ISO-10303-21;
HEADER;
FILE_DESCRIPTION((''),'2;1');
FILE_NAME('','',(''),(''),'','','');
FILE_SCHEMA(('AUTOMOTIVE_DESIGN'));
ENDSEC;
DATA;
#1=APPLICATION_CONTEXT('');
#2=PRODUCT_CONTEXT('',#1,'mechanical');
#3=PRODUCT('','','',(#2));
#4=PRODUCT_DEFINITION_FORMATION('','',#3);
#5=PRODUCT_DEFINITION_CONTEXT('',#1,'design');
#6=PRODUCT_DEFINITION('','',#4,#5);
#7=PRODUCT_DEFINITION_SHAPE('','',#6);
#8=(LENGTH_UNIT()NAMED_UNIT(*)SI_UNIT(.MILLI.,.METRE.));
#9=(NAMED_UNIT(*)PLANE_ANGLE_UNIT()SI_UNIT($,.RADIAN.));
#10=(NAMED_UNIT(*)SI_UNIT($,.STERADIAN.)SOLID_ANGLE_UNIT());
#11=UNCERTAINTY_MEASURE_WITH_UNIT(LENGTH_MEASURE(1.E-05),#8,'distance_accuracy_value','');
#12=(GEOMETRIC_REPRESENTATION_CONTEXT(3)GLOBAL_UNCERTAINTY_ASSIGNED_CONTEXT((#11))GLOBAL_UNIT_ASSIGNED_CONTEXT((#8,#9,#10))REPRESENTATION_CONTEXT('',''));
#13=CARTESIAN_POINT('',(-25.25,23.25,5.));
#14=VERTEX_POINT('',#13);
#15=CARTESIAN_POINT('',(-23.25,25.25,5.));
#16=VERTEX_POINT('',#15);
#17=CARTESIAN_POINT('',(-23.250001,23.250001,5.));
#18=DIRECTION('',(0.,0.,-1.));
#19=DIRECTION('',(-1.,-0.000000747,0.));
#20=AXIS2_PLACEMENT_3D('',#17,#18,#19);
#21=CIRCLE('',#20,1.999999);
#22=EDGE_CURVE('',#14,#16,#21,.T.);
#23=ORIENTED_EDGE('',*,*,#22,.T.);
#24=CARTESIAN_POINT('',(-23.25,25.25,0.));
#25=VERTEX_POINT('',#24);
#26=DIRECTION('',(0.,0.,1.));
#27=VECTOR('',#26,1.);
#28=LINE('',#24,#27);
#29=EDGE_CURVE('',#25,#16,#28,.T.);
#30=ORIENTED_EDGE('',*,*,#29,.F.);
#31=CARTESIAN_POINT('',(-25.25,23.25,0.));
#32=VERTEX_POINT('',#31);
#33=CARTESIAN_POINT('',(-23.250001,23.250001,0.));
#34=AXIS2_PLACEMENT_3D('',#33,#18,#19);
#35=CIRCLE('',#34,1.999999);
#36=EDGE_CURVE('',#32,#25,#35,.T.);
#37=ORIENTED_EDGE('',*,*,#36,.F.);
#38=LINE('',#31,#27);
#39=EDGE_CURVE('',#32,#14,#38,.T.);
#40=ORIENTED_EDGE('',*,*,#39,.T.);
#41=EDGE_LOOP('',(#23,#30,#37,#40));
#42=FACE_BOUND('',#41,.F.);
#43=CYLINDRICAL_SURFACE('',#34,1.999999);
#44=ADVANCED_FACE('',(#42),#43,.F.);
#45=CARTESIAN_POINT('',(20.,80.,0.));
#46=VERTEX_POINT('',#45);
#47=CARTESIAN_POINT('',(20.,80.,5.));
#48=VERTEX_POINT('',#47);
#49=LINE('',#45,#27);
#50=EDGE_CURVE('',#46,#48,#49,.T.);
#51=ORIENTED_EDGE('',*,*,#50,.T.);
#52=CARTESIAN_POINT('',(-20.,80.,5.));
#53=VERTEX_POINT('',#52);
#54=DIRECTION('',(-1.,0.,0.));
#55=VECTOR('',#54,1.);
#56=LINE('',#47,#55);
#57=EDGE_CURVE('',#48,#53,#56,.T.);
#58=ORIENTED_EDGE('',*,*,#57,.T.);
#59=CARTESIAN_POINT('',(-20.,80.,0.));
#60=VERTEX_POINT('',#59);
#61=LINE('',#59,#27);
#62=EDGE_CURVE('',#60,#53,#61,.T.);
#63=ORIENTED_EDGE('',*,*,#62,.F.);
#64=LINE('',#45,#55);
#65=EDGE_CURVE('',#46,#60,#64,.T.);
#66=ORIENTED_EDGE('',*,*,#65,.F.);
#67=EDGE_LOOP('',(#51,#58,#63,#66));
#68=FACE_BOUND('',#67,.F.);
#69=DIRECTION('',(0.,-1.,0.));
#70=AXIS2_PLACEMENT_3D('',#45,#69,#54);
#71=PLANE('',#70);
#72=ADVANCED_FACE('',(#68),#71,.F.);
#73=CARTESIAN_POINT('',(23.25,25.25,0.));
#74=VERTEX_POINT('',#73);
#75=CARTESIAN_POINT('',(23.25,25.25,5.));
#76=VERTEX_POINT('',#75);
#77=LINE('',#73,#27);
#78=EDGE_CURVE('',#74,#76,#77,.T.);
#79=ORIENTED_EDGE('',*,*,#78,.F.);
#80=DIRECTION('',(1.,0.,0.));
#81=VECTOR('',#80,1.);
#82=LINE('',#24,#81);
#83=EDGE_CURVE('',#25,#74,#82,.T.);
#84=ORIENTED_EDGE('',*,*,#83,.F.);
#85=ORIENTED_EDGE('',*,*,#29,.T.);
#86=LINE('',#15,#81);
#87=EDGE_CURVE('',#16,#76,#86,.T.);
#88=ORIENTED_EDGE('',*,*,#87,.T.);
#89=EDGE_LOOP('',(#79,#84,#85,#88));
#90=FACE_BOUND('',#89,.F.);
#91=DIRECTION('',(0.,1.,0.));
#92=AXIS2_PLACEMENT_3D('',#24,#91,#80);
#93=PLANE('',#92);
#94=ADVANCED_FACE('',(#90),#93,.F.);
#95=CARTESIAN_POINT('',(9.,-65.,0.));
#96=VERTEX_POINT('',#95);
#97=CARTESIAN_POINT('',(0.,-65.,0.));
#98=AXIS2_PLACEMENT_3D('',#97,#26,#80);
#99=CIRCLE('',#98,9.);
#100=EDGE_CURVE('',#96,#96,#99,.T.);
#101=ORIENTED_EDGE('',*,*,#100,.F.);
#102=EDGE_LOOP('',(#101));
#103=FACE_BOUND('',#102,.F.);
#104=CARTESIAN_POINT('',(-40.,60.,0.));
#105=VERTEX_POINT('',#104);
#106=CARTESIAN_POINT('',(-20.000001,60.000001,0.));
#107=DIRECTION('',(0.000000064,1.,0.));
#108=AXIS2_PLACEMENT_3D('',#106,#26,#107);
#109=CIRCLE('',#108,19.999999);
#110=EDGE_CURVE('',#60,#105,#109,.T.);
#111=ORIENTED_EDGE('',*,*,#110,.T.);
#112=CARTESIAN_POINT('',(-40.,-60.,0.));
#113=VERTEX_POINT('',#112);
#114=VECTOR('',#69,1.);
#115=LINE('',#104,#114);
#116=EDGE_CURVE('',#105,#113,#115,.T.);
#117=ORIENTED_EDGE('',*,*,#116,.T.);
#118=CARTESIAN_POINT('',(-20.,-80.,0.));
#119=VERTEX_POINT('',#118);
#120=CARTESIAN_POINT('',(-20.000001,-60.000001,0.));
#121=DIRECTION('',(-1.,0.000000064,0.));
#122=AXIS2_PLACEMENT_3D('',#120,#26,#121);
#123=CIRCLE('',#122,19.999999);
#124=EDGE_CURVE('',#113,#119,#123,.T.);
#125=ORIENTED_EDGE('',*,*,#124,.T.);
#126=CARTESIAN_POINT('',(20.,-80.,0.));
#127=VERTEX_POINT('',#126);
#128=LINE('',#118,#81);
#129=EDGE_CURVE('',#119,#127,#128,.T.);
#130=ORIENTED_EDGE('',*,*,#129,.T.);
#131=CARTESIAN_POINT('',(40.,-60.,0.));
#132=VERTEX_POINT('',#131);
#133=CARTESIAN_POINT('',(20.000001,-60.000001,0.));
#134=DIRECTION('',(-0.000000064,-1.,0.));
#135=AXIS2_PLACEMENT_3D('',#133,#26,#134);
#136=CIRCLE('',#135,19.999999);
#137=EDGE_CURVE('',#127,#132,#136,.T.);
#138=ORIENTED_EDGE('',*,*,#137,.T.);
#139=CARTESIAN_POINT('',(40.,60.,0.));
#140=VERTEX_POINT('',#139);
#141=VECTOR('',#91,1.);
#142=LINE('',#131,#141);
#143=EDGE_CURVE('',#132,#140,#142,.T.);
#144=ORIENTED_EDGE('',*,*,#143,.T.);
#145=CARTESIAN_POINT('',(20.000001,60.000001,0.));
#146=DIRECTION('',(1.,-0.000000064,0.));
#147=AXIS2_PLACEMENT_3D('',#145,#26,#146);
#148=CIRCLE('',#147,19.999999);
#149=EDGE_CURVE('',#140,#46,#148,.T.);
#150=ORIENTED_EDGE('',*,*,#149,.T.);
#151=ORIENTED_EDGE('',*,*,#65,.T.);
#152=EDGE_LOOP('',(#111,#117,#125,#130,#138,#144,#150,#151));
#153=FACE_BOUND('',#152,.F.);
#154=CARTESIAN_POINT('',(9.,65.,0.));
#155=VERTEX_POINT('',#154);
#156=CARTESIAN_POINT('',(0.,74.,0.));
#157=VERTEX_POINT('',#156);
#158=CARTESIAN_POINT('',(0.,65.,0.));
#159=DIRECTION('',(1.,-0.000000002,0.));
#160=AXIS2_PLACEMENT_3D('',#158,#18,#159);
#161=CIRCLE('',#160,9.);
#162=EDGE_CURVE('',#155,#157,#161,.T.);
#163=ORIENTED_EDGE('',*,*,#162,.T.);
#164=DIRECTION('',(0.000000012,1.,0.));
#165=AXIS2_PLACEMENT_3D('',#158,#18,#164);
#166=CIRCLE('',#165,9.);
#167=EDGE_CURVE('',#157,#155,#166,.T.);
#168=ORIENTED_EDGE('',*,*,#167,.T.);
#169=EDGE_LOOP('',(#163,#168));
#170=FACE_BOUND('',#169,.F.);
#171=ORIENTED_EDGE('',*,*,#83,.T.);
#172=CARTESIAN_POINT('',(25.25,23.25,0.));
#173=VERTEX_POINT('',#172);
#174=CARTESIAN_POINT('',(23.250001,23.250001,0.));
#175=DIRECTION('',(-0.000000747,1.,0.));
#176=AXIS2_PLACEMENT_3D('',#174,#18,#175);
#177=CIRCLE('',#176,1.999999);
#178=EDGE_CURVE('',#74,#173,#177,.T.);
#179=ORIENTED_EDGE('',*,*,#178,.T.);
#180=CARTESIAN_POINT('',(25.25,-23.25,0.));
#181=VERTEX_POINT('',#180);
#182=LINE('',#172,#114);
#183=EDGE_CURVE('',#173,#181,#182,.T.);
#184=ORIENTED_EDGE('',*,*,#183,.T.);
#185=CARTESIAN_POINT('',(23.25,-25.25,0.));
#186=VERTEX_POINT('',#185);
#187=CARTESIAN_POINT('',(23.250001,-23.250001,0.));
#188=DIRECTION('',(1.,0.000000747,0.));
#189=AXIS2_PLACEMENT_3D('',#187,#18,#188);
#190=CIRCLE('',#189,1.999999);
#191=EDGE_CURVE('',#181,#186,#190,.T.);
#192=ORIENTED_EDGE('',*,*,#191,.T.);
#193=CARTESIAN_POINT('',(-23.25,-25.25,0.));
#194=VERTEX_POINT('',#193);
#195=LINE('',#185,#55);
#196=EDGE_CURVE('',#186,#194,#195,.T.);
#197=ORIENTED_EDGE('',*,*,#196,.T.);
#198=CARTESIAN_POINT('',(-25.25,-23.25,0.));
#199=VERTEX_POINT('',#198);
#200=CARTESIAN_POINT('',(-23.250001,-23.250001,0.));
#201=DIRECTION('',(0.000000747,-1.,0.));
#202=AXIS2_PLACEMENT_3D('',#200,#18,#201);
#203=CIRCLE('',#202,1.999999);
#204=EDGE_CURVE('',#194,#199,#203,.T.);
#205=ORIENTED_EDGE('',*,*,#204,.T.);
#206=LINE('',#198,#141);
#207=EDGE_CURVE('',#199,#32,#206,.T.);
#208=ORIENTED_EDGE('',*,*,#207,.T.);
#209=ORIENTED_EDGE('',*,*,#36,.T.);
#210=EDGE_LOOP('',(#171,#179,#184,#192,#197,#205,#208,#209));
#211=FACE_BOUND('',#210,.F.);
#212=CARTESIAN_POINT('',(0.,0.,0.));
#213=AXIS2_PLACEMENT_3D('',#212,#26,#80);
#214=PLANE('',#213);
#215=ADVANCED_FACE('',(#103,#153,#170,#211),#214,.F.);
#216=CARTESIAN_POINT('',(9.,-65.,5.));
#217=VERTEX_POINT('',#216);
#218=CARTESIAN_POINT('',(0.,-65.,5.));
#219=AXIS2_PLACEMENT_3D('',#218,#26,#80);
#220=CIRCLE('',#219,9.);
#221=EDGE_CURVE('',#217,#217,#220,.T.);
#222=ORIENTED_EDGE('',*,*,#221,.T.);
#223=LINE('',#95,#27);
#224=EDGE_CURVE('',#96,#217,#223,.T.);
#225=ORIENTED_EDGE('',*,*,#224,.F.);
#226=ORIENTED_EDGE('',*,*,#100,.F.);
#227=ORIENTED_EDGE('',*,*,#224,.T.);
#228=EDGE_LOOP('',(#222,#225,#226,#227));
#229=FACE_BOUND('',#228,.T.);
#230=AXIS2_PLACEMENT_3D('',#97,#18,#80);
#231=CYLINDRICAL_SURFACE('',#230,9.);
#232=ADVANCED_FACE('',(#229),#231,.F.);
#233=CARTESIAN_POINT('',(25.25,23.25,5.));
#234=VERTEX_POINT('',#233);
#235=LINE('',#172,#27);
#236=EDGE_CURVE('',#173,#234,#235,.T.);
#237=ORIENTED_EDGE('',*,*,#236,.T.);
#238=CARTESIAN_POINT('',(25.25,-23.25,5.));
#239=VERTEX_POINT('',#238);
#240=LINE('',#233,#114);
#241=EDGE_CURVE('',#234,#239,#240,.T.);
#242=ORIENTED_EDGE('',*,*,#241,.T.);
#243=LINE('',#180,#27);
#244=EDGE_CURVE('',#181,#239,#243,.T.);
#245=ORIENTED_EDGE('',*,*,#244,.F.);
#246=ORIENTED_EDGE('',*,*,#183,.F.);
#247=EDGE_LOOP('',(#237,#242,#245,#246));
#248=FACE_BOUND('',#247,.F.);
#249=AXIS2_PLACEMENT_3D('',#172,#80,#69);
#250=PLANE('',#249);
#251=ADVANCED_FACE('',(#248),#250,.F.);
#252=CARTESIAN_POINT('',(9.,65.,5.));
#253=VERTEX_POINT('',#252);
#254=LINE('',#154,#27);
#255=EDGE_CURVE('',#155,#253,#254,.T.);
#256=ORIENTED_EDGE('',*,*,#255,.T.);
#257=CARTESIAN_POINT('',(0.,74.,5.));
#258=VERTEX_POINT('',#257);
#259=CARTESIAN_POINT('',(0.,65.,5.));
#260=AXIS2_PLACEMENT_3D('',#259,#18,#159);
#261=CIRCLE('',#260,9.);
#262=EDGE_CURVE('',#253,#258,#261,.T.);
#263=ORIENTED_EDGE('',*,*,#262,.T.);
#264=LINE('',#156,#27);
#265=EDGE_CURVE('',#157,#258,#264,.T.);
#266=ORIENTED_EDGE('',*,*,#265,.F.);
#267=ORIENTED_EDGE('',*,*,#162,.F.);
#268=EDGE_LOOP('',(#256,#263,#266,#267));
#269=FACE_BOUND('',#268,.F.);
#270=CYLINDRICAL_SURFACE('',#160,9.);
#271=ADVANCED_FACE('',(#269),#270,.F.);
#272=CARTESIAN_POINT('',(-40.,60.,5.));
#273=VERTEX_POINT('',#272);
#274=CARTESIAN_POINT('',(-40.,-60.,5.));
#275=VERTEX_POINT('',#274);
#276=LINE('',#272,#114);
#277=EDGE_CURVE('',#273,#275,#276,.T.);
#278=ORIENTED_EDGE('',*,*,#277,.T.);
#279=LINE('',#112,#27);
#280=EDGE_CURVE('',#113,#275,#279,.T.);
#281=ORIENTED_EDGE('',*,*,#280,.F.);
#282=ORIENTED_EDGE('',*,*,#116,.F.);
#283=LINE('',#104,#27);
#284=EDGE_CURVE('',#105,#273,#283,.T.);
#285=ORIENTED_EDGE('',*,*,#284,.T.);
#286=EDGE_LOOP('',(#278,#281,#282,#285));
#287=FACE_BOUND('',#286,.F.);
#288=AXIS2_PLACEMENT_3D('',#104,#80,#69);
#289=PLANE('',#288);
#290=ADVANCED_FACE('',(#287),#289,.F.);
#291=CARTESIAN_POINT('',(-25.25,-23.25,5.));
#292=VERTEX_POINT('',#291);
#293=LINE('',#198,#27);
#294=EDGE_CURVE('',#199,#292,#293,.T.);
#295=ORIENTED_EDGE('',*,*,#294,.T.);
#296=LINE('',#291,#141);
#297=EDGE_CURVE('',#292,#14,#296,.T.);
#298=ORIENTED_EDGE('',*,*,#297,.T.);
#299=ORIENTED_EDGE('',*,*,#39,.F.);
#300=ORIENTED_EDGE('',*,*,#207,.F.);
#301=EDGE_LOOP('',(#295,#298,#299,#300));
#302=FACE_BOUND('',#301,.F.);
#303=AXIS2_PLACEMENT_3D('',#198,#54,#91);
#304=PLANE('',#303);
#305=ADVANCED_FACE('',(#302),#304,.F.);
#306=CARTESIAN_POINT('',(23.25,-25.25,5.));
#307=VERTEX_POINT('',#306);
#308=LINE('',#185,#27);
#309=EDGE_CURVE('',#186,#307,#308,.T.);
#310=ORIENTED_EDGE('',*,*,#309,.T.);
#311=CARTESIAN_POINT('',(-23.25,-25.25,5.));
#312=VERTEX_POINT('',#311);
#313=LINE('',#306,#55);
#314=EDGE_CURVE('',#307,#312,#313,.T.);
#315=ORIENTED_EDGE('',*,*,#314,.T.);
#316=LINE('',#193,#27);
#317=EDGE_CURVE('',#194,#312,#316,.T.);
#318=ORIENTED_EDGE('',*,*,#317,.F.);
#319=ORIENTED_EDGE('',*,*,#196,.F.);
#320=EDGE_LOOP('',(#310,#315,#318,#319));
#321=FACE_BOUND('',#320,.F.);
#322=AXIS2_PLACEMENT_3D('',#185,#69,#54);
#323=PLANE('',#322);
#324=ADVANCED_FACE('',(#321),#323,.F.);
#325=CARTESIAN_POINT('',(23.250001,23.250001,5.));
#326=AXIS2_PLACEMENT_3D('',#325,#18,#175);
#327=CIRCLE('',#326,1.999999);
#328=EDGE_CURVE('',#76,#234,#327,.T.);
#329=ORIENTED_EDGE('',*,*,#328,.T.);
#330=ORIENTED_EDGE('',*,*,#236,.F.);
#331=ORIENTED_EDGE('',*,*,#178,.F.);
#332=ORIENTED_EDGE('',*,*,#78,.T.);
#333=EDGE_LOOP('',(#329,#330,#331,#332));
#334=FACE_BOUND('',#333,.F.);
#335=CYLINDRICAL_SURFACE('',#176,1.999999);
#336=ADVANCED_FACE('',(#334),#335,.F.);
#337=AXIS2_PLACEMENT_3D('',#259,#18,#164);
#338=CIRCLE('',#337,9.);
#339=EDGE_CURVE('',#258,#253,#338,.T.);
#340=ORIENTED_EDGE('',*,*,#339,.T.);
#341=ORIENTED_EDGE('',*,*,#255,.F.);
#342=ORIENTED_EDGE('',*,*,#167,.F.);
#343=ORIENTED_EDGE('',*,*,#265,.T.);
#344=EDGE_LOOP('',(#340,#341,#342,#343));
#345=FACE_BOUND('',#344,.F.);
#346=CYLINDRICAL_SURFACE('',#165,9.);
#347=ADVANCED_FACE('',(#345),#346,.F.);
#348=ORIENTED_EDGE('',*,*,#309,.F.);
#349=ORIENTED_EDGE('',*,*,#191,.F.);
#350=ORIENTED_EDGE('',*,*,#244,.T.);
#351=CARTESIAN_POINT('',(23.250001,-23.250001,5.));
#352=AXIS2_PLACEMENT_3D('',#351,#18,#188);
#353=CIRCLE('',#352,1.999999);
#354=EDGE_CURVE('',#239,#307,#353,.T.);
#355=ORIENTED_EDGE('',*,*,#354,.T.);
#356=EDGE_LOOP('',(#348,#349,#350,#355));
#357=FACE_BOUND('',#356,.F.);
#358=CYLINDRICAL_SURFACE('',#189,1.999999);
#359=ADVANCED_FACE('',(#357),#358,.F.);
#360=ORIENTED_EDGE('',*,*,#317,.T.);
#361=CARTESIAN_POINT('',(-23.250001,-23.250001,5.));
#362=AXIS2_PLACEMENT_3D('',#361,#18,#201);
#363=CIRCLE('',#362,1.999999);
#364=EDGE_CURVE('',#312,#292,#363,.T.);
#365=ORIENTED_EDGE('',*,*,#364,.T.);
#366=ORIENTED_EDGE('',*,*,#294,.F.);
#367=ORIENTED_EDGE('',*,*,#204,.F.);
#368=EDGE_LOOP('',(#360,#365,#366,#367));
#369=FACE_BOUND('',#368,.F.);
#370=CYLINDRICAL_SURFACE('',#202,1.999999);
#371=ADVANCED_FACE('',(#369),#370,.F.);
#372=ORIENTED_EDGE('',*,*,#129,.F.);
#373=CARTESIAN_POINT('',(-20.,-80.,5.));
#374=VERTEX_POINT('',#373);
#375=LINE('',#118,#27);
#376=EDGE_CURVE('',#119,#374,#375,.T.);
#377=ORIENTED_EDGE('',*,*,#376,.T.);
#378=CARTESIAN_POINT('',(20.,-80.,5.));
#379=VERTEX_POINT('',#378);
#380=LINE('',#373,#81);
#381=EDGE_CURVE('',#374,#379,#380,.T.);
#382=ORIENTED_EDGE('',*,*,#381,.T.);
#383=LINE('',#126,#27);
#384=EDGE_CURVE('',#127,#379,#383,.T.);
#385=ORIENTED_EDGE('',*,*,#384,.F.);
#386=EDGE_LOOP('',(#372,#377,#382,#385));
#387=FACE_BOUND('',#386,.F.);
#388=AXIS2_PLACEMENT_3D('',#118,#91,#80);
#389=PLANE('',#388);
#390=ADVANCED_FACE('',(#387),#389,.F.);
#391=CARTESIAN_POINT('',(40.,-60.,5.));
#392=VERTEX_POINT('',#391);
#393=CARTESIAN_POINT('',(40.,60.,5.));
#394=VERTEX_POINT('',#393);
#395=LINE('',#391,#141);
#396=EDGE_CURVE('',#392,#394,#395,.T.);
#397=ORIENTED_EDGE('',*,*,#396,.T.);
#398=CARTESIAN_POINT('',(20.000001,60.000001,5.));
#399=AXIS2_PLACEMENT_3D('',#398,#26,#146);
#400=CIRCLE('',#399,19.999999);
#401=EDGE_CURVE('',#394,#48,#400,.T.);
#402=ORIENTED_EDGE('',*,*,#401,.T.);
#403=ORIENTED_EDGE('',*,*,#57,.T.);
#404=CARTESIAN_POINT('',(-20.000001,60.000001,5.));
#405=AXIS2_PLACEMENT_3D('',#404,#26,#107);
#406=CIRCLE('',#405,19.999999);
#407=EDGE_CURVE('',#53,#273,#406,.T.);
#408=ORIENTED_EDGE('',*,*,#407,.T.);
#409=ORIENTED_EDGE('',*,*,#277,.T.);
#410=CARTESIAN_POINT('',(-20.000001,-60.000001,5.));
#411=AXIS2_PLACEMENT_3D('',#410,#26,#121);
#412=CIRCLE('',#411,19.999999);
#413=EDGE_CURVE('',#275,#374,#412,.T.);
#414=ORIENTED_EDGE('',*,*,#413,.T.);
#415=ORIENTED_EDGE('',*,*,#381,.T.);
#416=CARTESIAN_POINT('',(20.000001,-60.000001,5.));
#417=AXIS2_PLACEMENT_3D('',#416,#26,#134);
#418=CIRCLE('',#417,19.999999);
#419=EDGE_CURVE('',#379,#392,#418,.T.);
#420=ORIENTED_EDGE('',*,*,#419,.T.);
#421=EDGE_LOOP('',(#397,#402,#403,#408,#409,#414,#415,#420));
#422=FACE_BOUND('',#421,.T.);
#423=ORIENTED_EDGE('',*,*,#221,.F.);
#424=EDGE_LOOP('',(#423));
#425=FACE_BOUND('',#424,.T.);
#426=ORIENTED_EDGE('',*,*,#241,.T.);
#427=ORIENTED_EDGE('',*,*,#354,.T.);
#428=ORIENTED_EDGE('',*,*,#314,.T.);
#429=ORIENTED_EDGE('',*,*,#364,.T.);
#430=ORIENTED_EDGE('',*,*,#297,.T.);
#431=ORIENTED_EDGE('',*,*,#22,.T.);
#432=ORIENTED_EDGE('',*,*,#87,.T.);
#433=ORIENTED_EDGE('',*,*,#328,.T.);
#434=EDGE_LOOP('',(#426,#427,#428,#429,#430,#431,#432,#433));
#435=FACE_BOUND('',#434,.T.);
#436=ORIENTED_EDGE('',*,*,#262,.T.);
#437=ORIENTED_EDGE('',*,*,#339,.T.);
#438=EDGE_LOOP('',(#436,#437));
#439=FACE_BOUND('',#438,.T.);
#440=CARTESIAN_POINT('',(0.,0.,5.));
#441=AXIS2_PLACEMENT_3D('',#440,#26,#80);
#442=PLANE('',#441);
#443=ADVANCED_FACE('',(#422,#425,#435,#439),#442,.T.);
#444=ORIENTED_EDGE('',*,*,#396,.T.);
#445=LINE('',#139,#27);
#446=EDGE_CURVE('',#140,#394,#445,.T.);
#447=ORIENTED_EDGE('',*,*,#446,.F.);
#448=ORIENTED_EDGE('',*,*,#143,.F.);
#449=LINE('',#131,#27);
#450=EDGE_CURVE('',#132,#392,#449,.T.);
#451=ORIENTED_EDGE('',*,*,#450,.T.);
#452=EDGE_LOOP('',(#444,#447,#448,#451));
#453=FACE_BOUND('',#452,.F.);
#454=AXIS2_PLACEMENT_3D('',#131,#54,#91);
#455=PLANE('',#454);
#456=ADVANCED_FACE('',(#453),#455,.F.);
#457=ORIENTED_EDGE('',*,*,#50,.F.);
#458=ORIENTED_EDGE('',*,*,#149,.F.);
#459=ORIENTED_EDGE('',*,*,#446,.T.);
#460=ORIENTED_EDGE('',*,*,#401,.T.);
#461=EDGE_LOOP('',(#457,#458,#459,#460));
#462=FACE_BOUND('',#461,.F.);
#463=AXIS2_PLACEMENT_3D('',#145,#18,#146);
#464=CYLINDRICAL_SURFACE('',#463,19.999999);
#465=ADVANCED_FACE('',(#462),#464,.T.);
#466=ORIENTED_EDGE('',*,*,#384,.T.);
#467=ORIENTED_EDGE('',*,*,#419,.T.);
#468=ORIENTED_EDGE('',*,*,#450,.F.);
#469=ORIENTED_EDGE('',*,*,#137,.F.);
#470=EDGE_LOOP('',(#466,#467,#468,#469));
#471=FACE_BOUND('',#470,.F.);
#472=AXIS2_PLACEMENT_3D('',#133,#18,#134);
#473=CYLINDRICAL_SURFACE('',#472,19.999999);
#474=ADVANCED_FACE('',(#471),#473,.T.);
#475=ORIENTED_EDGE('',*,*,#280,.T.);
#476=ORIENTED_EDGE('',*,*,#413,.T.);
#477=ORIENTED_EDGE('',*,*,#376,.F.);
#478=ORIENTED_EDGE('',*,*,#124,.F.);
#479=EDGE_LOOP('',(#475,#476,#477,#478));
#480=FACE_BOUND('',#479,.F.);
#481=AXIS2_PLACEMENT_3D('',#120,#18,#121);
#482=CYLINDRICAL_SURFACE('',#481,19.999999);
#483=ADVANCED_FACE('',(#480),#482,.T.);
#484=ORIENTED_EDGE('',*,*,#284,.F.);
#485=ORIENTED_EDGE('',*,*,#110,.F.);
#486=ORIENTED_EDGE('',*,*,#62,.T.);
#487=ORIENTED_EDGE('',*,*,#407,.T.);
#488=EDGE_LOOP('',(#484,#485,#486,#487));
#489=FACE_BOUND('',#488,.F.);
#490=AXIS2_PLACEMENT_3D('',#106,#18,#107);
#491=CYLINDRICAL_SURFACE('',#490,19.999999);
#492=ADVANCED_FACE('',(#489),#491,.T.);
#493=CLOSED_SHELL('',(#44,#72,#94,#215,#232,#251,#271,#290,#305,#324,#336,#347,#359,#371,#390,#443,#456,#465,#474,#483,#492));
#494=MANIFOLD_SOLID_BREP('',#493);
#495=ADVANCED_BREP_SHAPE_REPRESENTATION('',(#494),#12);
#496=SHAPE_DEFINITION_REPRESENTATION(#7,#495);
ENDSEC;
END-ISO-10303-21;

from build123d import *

# Parameters (mm, degrees)
F0_R     = 9
F1_DEPTH = 5


with BuildPart() as f1:
    # F0 (on Top) → F1 (new body)
    with BuildSketch(Plane.XY):
        with BuildLine():
            Line((20, 80), (0, 80))
            Line((0, 80), (-20, 80))
            ThreePointArc((-20, 80), (-34.142136, 74.142136), (-40, 60))
            Line((-40, 60), (-40, -60))
            ThreePointArc((-40, -60), (-34.142136, -74.142136), (-20, -80))
            Line((-20, -80), (20, -80))
            ThreePointArc((20, -80), (34.142136, -74.142136), (40, -60))
            Line((40, -60), (40, 60))
            ThreePointArc((40, 60), (34.142136, 74.142136), (20, 80))
        make_face()
        with Locations((0, -65)):
            Circle(F0_R, mode=Mode.SUBTRACT)
        with BuildLine():
            ThreePointArc((25.25, -23.25), (24.664214, -24.664214), (23.25, -25.25))
            Line((23.25, -25.25), (-23.25, -25.25))
            ThreePointArc((-23.25, -25.25), (-24.664214, -24.664214), (-25.25, -23.25))
            Line((-25.25, -23.25), (-25.25, 23.25))
            ThreePointArc((-25.25, 23.25), (-24.664214, 24.664214), (-23.25, 25.25))
            Line((-23.25, 25.25), (23.25, 25.25))
            ThreePointArc((23.25, 25.25), (24.664214, 24.664214), (25.25, 23.25))
            Line((25.25, 23.25), (25.25, -23.25))
        make_face(mode=Mode.SUBTRACT)
        with BuildLine():
            ThreePointArc((9, 65), (-6.363961, 58.636039), (0, 74))
            ThreePointArc((0, 74), (6.363961, 71.363961), (9, 65))
        make_face(mode=Mode.SUBTRACT)
    extrude(amount=F1_DEPTH)


solid = f1.part
